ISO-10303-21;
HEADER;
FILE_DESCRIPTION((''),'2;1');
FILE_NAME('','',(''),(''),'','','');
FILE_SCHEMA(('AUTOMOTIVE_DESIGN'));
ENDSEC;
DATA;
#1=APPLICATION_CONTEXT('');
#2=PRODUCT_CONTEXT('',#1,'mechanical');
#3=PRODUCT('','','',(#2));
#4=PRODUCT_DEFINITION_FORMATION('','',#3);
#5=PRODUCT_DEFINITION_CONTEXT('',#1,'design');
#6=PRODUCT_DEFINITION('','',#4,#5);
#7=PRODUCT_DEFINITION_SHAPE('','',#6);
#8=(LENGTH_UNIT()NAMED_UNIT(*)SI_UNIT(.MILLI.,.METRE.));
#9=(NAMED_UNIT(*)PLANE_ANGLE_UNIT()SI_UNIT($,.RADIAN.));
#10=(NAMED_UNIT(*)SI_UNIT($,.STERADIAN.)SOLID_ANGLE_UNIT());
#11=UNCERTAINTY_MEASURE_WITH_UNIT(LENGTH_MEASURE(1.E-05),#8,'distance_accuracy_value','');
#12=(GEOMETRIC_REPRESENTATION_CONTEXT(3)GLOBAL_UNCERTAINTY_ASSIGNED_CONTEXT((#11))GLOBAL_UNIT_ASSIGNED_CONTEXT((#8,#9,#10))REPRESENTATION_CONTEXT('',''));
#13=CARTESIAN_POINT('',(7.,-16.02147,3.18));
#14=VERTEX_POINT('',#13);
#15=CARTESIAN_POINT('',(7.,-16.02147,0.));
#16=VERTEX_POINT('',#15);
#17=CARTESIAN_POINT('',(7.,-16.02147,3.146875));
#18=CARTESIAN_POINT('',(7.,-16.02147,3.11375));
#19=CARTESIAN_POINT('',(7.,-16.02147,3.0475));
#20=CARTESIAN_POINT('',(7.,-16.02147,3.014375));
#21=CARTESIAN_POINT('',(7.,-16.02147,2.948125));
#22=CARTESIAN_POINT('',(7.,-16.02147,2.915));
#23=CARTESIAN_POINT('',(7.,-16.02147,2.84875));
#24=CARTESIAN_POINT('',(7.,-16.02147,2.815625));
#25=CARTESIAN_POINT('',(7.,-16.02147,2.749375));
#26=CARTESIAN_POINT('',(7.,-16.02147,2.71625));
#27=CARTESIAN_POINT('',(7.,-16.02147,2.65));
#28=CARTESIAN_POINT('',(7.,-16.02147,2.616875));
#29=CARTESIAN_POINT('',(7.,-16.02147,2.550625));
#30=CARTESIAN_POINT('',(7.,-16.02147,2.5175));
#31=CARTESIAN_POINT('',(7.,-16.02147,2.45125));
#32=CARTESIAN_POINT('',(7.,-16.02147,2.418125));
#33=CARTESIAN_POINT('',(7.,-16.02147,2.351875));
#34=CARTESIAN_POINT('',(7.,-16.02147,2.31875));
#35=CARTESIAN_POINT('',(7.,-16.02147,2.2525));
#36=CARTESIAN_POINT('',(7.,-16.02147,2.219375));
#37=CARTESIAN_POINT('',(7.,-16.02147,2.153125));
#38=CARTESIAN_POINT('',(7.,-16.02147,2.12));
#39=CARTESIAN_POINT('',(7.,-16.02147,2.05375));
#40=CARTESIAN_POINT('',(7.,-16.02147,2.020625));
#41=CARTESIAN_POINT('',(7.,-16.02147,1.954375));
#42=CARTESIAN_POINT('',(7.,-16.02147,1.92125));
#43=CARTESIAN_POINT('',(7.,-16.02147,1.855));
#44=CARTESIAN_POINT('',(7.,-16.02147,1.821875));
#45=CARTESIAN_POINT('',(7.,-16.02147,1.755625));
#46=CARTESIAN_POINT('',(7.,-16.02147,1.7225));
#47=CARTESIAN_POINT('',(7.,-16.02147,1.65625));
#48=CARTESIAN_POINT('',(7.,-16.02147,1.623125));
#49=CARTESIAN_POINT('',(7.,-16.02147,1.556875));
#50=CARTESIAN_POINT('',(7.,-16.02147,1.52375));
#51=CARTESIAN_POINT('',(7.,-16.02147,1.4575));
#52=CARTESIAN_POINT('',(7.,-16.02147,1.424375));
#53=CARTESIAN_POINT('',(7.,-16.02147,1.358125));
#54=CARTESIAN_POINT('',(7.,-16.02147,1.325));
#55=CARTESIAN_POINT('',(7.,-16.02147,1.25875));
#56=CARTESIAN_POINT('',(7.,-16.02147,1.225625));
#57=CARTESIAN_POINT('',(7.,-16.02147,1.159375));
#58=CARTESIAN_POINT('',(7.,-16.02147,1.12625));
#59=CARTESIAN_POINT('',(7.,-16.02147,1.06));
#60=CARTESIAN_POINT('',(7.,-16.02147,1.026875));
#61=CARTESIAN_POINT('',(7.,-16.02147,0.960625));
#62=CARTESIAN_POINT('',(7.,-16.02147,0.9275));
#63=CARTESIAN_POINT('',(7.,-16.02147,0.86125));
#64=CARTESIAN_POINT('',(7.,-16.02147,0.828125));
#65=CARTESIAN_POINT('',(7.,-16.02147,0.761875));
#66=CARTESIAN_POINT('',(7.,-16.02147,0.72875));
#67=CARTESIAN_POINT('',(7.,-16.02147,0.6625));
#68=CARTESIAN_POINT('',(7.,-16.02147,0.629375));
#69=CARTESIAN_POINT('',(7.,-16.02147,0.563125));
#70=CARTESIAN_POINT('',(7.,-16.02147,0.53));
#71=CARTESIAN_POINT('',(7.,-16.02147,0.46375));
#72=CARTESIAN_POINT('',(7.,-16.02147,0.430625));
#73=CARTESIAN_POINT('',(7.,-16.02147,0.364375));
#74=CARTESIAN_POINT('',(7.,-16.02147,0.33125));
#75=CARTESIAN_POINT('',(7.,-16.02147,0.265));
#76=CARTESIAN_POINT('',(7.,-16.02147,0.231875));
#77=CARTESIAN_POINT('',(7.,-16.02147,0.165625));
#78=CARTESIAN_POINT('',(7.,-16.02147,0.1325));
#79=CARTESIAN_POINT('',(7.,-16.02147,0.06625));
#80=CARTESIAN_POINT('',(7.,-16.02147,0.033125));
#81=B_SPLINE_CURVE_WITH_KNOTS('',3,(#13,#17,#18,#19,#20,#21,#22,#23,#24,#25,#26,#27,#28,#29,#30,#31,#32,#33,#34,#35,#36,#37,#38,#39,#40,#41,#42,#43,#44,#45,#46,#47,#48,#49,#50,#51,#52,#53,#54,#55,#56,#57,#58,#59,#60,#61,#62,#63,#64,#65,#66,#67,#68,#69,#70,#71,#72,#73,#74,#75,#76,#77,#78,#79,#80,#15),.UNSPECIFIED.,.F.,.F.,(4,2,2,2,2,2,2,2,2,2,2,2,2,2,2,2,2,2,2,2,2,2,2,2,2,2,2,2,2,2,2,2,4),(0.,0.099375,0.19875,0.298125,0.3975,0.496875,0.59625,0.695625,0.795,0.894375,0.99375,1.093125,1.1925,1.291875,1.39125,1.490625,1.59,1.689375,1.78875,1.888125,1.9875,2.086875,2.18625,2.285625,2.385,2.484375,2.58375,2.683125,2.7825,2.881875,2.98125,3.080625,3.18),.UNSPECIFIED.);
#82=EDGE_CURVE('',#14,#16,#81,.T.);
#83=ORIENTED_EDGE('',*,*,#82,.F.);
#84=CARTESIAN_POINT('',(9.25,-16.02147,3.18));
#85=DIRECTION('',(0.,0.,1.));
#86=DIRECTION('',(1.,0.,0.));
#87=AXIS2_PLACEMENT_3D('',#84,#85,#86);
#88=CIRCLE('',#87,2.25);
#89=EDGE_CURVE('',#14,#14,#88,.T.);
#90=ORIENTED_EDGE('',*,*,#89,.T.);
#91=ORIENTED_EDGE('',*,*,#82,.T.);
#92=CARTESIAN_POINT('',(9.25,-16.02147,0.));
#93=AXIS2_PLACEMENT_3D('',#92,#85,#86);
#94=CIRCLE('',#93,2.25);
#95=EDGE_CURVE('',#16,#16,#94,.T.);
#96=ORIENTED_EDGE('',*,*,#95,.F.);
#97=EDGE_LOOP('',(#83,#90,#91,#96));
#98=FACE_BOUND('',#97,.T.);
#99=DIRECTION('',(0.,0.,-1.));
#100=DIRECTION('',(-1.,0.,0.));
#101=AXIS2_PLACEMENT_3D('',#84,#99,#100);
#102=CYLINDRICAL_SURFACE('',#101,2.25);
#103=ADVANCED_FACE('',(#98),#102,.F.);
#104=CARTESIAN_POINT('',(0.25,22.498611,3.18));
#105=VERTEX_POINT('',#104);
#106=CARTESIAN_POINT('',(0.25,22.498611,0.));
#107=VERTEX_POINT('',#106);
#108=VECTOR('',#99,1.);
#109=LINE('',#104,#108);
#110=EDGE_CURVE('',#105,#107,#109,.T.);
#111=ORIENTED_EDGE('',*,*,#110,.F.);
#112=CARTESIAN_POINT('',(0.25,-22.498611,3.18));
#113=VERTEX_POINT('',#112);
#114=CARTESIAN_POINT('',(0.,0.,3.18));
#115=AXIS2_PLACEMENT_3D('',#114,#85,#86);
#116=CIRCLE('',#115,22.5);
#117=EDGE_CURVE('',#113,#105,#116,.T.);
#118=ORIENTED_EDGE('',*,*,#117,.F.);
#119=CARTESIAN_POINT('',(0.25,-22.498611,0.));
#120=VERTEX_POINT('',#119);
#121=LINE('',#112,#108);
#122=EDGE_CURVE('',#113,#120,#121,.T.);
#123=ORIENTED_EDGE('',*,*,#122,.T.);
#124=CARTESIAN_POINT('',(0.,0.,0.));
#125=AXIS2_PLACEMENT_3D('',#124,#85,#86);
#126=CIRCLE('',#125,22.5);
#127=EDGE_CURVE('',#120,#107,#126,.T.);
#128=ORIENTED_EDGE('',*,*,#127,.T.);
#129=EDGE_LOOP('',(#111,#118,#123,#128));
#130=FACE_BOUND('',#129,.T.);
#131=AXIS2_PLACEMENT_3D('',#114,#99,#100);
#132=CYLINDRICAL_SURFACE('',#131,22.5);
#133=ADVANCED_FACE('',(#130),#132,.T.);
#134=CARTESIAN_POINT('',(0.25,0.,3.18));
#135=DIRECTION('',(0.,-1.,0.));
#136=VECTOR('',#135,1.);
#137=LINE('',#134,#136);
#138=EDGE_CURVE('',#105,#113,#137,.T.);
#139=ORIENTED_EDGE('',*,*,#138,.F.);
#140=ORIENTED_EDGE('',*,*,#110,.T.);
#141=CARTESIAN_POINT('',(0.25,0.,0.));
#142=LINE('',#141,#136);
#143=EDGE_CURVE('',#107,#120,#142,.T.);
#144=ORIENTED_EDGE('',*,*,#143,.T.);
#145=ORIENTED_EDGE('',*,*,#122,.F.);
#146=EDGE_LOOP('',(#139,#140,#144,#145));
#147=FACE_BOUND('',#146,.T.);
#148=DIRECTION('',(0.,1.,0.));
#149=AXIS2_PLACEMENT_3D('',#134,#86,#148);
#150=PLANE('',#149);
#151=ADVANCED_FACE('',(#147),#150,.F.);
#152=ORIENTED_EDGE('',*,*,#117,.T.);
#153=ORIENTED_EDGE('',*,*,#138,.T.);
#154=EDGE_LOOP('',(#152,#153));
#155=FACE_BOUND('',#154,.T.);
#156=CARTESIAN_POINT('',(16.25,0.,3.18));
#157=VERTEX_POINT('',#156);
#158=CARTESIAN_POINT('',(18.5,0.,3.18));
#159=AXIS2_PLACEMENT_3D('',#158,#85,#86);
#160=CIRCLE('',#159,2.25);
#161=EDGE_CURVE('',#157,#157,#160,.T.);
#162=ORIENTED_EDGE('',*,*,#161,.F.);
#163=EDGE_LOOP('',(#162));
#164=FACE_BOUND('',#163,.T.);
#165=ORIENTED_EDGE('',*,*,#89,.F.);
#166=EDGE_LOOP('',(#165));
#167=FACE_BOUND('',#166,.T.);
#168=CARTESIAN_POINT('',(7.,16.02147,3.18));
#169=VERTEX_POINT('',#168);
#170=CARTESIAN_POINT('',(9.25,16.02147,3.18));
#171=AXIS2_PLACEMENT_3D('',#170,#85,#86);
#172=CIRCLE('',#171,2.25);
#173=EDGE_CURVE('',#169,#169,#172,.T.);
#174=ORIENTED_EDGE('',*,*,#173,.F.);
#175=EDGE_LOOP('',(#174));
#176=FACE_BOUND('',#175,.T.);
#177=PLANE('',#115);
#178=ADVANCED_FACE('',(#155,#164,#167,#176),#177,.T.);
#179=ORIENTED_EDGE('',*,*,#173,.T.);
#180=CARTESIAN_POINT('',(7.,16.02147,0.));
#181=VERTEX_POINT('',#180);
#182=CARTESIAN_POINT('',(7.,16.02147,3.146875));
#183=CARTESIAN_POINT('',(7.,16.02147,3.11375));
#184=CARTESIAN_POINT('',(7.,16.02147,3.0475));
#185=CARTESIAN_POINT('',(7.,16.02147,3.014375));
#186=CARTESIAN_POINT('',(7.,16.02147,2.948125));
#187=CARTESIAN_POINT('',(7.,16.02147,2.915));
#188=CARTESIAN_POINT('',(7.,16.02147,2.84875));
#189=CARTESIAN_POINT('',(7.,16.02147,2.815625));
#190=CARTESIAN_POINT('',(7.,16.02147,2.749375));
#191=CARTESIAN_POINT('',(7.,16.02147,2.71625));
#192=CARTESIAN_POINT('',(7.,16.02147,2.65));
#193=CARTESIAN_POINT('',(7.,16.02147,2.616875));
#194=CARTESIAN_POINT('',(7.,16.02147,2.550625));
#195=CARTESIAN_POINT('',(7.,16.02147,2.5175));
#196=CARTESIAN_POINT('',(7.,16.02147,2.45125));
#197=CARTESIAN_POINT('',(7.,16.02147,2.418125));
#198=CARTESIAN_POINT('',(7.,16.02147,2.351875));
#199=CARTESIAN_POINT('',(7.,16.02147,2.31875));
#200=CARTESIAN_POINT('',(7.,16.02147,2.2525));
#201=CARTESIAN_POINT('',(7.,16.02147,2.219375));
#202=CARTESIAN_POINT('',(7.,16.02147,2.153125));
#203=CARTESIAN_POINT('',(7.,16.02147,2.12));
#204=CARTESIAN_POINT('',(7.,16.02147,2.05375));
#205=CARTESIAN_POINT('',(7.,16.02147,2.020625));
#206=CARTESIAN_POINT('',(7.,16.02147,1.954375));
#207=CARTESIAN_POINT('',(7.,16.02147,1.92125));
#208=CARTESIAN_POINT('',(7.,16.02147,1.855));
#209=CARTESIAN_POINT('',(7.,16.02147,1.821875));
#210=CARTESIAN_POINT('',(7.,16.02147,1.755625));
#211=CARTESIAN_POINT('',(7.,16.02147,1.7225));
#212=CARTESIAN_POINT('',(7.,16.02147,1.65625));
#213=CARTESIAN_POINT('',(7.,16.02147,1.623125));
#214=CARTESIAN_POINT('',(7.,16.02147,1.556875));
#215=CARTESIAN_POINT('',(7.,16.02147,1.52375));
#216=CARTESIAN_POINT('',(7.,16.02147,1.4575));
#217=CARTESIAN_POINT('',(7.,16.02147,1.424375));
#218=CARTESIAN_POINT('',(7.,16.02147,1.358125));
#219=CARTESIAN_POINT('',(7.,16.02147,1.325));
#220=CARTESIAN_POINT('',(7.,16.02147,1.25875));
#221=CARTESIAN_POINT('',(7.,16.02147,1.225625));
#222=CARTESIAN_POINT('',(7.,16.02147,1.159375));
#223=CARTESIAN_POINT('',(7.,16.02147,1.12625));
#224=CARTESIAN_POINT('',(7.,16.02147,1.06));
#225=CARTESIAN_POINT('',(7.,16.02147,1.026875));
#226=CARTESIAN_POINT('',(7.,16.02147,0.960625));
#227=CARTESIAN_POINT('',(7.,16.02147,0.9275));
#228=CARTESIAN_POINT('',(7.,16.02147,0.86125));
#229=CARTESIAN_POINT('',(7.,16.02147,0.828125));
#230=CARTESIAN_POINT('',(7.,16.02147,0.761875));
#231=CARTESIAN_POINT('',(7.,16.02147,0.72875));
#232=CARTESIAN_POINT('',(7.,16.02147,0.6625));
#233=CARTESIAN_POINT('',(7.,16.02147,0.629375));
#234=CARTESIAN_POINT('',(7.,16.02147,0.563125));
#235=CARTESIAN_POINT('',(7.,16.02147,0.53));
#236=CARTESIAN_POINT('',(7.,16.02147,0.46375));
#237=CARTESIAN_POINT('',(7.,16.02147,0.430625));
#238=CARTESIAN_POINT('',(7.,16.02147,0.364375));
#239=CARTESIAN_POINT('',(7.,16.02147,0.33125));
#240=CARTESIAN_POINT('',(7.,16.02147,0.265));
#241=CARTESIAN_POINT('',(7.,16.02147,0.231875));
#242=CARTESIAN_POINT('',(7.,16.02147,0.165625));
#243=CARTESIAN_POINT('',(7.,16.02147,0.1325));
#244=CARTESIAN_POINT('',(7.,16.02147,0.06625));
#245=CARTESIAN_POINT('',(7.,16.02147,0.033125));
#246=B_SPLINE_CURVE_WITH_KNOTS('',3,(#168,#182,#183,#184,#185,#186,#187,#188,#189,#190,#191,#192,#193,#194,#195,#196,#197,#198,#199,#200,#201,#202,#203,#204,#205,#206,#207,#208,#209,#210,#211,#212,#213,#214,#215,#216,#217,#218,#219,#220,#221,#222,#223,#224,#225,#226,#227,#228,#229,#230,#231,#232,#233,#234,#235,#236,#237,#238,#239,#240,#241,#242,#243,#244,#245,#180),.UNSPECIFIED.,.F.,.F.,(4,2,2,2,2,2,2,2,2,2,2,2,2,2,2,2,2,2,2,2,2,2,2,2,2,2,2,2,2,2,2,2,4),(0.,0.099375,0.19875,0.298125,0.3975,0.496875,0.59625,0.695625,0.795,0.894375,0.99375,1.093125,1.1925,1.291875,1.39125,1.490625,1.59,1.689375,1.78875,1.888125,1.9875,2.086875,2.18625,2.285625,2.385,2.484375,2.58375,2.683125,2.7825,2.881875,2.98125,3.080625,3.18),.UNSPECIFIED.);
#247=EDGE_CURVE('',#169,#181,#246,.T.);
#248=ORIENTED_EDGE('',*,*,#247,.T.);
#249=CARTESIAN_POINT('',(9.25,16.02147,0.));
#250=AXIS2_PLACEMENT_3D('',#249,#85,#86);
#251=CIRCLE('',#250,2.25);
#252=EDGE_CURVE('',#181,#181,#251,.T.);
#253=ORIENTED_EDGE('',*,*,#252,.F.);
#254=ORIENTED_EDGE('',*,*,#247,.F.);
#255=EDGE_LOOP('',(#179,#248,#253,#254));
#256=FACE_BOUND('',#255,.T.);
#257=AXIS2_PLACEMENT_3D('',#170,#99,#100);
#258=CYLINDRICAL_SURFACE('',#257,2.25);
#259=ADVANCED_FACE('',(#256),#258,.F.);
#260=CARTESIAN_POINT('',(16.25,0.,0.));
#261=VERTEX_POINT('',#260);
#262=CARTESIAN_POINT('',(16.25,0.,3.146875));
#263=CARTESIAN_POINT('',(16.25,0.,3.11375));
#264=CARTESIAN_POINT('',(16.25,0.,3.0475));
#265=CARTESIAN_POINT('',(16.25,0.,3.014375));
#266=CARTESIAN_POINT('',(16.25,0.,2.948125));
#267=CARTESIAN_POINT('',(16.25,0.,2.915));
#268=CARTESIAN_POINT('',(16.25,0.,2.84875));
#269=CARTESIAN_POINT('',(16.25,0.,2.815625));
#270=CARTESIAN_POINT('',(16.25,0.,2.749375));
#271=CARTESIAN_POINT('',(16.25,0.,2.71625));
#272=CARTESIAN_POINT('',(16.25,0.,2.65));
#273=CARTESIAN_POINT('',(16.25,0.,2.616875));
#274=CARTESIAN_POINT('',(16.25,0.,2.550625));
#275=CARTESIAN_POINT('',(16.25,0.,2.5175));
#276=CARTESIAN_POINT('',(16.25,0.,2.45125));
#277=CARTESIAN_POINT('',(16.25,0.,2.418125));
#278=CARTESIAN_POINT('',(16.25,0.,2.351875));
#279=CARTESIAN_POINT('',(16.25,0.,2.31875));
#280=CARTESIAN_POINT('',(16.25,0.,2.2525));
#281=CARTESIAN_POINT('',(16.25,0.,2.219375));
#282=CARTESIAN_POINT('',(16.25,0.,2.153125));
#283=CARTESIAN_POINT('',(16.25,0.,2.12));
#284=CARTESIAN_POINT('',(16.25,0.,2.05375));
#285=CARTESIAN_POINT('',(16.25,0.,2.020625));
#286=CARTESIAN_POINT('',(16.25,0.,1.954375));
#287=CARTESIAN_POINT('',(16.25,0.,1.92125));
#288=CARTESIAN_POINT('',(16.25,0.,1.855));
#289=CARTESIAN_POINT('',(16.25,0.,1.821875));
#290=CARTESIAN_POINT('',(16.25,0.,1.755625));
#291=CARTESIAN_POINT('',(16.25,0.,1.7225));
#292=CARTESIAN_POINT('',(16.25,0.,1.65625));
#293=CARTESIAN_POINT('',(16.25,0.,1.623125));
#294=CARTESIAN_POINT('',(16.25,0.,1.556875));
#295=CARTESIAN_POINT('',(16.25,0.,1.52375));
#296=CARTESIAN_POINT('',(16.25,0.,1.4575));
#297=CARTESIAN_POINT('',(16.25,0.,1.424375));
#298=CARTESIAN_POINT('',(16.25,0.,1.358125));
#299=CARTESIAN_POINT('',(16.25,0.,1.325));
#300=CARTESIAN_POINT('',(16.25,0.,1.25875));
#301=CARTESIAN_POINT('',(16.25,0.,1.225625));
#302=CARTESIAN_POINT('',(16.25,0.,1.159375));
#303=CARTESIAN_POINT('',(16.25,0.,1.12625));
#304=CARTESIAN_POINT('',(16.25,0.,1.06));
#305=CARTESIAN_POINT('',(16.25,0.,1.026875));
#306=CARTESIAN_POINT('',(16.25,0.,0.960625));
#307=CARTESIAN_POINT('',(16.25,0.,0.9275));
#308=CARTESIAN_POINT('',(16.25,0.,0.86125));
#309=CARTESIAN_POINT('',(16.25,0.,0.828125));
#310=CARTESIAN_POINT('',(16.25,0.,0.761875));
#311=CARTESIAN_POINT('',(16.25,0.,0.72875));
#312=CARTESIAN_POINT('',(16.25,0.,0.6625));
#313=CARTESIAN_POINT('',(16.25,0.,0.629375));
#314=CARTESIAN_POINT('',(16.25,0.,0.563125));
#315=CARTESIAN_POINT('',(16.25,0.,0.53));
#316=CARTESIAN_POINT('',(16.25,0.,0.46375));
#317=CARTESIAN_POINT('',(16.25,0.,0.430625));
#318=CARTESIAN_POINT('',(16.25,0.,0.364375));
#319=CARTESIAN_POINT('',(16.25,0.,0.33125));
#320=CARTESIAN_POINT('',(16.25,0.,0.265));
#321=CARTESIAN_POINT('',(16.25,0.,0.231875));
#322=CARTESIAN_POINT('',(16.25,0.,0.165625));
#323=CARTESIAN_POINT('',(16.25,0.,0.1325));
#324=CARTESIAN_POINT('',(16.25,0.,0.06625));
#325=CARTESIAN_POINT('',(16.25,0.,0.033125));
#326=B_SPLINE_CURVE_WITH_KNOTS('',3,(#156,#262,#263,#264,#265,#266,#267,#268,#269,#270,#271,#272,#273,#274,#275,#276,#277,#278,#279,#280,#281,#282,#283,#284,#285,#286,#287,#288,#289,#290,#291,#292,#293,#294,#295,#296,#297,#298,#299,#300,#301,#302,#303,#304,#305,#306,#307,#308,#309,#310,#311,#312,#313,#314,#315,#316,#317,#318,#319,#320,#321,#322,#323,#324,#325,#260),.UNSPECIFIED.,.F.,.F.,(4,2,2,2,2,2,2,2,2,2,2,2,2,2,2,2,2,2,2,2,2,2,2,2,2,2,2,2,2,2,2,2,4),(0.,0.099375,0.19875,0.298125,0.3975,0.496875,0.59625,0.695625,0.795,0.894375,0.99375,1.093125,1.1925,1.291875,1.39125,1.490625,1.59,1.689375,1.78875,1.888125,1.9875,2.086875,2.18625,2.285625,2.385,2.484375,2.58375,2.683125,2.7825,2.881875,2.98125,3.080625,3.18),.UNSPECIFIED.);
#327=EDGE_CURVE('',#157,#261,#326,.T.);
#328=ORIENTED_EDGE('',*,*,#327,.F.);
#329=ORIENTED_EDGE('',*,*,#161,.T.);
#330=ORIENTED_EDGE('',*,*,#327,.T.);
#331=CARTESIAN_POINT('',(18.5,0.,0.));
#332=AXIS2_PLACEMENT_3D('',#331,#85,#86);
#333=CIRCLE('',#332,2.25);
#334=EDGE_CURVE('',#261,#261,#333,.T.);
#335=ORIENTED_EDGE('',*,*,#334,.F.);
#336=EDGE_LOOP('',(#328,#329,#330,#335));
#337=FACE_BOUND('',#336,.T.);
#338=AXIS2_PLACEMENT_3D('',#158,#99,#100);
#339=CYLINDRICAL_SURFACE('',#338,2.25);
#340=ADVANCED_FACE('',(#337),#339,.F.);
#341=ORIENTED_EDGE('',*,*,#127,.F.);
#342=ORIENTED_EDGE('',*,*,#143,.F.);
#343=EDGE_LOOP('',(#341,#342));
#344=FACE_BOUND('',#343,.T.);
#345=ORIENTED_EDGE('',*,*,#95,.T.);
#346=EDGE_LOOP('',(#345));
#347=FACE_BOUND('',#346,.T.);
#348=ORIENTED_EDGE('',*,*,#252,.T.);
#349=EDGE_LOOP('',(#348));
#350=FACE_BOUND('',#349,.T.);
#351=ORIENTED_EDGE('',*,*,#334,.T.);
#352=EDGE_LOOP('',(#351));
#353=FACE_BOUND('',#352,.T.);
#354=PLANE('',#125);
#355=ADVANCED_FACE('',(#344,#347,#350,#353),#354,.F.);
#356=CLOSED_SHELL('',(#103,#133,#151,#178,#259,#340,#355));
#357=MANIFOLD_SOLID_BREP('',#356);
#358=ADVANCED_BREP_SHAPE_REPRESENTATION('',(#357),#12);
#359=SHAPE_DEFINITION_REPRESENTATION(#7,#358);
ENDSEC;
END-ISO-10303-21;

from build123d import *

# Parameters (mm, degrees)
SKETCH1_R           = 2.25
BOSS_EXTRUDE1_DEPTH = 3.18


with BuildPart() as part:
    # Sketch1 → Boss-Extrude1 (new body)
    with BuildSketch(Plane.XY):
        with BuildLine():
            ThreePointArc((22.5, 0), (15.998046756, 15.821267332), (0.25, 22.498611068))
            Line((0.25, 22.498611068), (0.25, -22.498611068))
            ThreePointArc((0.25, -22.498611068), (15.998046756, -15.821267332), (22.5, 0))
        make_face()
        with Locations(Location((9.25, -16.02146997, 0), (0, 0, 180))):
            Circle(SKETCH1_R, mode=Mode.SUBTRACT)
        with Locations(Location((18.5, 0, 0), (0, 0, 180))):
            Circle(SKETCH1_R, mode=Mode.SUBTRACT)
        with Locations(Location((9.25, 16.02146997, 0), (0, 0, 180))):
            Circle(SKETCH1_R, mode=Mode.SUBTRACT)
    extrude(amount=BOSS_EXTRUDE1_DEPTH)


solid = part.part
